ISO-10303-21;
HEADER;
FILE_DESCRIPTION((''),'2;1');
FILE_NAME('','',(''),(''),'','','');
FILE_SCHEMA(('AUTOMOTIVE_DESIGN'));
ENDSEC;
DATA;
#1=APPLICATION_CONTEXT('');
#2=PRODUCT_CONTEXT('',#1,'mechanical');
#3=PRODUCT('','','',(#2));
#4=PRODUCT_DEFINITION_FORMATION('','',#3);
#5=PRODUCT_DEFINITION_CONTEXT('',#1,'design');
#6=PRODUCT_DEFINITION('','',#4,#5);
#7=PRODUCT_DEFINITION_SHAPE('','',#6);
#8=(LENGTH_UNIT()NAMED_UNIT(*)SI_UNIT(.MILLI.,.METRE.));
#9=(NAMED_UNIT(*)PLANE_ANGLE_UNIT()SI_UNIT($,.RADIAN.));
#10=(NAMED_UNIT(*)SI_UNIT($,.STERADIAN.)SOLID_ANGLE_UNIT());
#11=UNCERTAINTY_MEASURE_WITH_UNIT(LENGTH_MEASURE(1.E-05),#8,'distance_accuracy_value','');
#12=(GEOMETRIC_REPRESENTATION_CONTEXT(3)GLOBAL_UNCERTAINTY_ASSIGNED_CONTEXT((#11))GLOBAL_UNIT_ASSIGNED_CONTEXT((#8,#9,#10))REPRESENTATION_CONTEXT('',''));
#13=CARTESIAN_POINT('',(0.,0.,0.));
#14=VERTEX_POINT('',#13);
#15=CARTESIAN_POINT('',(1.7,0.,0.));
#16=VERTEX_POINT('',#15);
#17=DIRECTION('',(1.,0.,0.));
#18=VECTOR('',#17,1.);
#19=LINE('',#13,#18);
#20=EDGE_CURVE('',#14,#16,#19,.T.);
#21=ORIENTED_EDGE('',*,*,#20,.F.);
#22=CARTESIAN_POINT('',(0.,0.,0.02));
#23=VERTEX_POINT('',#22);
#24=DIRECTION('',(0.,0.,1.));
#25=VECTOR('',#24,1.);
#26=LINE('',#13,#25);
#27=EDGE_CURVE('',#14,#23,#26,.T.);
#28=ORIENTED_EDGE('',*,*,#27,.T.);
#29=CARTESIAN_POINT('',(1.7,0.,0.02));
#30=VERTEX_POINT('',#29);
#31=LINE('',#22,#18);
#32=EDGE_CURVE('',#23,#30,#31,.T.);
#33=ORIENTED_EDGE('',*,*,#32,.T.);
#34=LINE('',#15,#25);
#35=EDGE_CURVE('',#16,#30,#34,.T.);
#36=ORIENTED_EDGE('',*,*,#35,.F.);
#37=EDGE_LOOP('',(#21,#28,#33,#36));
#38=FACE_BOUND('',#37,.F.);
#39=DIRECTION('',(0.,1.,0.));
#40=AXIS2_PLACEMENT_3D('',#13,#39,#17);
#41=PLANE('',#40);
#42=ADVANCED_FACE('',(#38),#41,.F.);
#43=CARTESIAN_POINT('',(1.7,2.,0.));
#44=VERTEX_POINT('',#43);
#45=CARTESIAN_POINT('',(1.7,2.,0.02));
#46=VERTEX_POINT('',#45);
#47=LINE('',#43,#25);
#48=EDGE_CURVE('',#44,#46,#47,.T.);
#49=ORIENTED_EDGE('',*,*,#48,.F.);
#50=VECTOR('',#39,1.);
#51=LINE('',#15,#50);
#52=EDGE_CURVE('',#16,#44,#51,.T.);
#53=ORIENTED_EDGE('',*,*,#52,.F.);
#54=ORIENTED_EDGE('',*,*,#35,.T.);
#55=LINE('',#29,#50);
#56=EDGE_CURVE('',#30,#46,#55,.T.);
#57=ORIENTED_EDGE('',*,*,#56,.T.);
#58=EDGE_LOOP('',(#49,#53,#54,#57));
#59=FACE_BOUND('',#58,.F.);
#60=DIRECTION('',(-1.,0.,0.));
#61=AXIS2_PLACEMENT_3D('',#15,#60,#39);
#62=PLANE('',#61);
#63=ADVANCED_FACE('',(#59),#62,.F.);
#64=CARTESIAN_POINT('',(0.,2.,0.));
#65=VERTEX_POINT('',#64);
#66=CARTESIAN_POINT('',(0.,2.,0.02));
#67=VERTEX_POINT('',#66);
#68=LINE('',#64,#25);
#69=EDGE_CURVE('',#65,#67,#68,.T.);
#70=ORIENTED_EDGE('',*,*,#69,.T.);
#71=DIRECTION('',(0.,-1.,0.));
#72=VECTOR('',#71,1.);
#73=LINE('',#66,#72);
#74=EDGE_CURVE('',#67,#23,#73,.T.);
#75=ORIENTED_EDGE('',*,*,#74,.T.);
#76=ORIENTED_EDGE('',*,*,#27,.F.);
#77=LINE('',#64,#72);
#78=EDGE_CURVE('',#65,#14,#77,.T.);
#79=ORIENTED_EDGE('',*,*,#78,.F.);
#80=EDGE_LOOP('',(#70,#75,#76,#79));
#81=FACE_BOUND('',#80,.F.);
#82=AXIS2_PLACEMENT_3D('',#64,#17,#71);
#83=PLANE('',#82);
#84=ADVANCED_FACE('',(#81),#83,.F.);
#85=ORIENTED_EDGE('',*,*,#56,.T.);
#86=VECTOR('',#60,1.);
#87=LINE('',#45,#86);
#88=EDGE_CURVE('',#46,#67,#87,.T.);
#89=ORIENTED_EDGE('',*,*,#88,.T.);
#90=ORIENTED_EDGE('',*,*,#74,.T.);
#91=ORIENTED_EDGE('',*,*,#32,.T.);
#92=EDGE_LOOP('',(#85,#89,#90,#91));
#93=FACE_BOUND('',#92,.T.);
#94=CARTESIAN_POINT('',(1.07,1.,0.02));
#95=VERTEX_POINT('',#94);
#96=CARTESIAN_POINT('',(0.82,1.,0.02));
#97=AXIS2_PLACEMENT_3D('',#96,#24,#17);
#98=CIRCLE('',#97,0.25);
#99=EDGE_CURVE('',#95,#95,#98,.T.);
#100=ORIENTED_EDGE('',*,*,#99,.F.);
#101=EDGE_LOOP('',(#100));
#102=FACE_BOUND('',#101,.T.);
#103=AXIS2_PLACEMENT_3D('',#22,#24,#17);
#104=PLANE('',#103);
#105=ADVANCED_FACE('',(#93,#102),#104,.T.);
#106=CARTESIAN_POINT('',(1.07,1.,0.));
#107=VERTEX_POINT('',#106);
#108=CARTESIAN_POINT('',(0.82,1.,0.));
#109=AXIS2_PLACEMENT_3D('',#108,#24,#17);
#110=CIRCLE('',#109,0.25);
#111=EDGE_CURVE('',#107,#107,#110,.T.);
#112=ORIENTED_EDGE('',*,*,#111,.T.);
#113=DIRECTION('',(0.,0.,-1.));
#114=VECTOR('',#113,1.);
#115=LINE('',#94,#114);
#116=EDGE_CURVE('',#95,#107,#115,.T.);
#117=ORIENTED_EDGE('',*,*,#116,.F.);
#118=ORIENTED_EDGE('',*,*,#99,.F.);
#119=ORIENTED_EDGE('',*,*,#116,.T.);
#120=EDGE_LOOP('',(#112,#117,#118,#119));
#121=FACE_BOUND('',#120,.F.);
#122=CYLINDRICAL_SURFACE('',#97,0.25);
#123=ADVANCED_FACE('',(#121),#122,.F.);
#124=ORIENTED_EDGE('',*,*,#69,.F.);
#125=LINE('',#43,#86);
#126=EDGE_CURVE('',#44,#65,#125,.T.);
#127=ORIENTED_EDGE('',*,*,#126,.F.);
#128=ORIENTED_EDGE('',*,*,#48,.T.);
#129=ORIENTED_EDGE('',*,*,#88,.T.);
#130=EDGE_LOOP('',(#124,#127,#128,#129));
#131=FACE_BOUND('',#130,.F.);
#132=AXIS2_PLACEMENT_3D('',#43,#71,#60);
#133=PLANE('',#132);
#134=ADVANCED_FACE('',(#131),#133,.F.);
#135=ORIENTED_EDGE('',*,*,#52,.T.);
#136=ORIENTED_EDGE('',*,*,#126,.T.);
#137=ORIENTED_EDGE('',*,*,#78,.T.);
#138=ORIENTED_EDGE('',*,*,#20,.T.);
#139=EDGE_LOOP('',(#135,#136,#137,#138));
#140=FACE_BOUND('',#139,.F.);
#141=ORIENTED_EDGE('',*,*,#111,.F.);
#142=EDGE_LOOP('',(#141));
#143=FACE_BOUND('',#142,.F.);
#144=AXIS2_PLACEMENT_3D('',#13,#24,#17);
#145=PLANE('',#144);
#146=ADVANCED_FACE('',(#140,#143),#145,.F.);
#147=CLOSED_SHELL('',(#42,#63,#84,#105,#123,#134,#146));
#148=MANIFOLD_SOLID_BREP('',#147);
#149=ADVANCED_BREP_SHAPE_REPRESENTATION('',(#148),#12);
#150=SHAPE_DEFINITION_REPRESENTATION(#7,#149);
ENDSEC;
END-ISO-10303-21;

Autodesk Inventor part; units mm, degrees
ref_plane "YZ Plane" through (0, 0, 0) normal (1, 0, 0) x (0, 1, 0)
ref_plane "XZ Plane" through (0, 0, 0) normal (0, 1, 0) x (-1, 0, 0)
ref_plane "XY Plane" through (0, 0, 0) normal (0, 0, 1) x (1, 0, 0)
sketch "Sketch1" plane through (0, 0, 0) normal (0, 0, 1) x (1, 0, 0)
  line L0 (0, 0) -> (1.7, 0)
  line L1 (1.7, 0) -> (1.7, 2)
  line L2 (1.7, 2) -> (0, 2)
  line L3 (0, 2) -> (0, 0)
  dimension "d0" = 2
  dimension "d1" = 1.7
extrude "Extrusion1" add sketch "Sketch1" along normal blind 0.02
sketch "Sketch2" plane through (0, 0, 0.02) normal (0, 0, 1) x (1, 0, 0)
  line L0 (0, 2) -> (0, 0) projected
  line L1 (0, 2) -> (1.64, 2)
  line L2 (1.64, 2) -> (1.64, 0)
  line L3 (0, 0) -> (0, 2)
  circle A0 centre (0.82, 1) radius 0.25
  line L4 (0, 0) -> (1.64, 0)
  dimension "d9" = 0.5
  dimension "d10" = 1.64
  dimension "d11" = 2
extrude "Extrusion2" cut sketch "Sketch2" against normal through all contours A0
properties part number "Placa gatilho" material "Liga de Nickel-Copper 400"
